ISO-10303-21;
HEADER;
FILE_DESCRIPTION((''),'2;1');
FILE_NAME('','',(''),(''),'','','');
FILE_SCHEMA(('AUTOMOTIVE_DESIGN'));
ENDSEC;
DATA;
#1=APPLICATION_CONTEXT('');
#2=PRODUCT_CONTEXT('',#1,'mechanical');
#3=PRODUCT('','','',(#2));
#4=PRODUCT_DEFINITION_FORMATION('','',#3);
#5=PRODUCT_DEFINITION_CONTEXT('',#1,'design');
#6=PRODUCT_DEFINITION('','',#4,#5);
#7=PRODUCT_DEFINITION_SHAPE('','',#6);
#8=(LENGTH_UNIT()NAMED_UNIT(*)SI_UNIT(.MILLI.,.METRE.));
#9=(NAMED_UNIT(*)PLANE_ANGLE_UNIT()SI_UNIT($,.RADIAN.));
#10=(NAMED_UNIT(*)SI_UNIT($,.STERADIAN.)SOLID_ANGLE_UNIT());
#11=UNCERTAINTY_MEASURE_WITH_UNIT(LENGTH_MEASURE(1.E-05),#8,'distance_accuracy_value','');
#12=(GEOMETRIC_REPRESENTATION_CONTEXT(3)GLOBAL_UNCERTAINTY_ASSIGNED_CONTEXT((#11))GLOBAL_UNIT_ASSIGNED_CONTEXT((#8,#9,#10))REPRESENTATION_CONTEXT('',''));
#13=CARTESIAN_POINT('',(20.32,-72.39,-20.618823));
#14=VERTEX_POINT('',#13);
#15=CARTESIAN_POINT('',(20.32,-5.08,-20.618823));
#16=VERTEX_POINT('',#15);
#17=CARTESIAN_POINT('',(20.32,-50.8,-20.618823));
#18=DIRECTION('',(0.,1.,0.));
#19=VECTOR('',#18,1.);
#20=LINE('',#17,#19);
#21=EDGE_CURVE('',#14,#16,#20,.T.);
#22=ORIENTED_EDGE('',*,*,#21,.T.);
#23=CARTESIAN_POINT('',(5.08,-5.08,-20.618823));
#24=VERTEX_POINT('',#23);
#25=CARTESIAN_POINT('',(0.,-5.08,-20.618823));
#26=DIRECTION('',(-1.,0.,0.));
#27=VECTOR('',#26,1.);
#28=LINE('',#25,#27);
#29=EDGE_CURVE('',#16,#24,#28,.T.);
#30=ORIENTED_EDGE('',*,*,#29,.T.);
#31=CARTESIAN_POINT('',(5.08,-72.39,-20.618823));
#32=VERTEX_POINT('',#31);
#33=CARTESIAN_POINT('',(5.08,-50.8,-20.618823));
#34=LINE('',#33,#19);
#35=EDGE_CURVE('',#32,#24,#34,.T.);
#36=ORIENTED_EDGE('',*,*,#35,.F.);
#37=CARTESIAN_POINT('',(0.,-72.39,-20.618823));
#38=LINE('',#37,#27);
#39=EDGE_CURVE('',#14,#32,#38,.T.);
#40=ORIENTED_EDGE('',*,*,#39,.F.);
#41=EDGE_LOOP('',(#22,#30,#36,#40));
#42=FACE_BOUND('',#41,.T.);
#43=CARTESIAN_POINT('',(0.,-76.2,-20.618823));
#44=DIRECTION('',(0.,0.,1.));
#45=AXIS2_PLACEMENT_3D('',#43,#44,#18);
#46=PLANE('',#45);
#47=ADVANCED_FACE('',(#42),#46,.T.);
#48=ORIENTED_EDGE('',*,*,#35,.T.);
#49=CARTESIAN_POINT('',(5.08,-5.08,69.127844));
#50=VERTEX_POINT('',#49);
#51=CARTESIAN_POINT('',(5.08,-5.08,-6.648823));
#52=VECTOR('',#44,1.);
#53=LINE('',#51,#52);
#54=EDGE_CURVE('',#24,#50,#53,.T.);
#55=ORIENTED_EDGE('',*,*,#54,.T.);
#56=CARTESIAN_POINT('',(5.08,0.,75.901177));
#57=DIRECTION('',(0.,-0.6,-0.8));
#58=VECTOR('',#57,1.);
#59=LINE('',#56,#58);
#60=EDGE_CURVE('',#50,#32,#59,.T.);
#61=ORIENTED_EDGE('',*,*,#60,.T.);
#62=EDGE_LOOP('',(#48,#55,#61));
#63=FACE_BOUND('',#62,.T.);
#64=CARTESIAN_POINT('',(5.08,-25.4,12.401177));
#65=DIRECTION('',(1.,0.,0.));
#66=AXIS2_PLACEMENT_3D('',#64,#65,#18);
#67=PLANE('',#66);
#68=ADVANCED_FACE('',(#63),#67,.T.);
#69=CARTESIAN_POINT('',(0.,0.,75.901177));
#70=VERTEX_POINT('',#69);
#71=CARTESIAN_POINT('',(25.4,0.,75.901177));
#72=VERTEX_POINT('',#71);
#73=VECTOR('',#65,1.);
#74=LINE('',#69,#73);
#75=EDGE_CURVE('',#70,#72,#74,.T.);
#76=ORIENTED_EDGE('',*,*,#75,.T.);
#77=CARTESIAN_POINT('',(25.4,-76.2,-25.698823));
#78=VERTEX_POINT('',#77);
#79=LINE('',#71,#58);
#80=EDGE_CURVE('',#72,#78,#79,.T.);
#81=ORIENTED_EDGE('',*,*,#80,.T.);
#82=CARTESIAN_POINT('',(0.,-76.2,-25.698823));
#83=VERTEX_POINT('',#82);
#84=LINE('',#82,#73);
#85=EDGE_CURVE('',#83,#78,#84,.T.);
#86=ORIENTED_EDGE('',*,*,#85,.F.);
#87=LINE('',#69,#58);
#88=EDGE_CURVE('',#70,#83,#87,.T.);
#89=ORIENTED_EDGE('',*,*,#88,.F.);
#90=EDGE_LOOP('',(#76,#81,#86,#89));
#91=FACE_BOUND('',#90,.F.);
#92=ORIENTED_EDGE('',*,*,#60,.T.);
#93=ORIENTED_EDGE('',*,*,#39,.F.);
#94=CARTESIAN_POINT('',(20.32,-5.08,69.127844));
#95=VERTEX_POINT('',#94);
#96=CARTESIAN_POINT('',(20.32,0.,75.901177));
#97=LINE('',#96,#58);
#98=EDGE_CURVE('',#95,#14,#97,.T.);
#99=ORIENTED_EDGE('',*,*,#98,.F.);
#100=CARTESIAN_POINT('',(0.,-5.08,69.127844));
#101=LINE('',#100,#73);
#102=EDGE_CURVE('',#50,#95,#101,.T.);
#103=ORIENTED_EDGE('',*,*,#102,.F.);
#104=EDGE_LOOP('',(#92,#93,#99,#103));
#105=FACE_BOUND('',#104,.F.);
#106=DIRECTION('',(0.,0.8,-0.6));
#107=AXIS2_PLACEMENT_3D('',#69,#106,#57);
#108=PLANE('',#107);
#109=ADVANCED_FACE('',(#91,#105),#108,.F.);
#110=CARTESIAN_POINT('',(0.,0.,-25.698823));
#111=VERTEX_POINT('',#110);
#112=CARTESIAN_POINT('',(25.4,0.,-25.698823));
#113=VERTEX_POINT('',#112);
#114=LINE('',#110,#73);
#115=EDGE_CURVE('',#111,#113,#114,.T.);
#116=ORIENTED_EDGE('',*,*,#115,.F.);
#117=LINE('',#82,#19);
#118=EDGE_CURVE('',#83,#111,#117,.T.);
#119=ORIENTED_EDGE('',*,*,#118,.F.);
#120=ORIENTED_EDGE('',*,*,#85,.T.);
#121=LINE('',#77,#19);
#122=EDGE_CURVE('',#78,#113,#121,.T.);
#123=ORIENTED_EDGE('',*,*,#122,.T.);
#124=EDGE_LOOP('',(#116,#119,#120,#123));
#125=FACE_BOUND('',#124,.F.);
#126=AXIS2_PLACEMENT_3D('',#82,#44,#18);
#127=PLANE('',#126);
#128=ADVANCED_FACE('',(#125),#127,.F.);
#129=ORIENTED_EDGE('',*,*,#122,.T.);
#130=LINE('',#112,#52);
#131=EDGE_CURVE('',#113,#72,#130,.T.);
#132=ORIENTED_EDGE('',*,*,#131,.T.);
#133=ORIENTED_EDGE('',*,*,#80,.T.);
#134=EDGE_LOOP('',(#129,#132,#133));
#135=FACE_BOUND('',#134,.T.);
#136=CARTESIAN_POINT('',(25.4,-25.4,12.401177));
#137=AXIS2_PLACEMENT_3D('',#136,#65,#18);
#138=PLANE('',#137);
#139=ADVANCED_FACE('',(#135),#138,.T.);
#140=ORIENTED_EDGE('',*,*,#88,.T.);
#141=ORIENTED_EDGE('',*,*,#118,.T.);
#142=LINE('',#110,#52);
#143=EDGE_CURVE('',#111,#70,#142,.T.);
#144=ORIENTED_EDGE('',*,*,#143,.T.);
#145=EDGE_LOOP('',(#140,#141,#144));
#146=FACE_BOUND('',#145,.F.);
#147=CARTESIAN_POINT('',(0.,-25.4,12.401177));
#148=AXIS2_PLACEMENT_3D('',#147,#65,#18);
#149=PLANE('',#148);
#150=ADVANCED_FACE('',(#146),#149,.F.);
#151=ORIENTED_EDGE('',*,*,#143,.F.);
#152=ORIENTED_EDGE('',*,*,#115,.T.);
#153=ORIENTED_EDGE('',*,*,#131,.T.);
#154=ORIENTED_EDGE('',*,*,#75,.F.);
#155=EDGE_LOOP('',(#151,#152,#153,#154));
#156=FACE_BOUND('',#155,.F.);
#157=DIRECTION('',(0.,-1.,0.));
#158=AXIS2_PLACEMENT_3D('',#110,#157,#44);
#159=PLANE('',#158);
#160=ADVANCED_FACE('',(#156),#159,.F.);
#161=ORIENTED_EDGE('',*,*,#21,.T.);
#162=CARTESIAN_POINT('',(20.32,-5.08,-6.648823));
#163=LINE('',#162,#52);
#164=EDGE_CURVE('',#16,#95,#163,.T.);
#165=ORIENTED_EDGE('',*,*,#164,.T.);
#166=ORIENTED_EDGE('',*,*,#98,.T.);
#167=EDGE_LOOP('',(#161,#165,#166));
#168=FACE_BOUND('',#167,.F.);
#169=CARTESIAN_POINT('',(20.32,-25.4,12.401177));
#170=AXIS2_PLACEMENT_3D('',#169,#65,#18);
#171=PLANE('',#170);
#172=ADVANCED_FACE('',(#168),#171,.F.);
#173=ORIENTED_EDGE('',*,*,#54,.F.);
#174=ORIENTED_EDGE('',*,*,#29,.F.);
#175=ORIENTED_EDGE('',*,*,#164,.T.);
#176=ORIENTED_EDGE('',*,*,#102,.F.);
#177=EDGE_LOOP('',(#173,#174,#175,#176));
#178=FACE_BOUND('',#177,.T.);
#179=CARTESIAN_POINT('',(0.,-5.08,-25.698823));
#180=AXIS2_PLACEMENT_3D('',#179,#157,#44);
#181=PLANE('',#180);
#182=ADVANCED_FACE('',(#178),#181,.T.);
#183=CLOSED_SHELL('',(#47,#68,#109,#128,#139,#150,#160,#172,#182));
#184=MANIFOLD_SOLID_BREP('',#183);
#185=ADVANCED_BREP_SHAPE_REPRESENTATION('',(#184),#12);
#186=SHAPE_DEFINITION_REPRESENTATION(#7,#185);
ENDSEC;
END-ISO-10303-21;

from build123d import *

# Parameters (mm, degrees)
F1_DEPTH = 25.4
F2_T     = -5.08


with BuildPart() as f1:
    # F0 (on Right) → F1 (new body)
    with BuildSketch(Plane.YZ):
        Polygon((-76.2, -25.698823), (0, -25.698823), (0, 75.901177), align=None)
    extrude(amount=F1_DEPTH)

    # F2
    f2_openings = [f1.faces().sort_by_distance(p)[0] for p in [
        (12.7, -38.1, 25.101177),
    ]]
    offset(amount=F2_T, openings=f2_openings)


solid = f1.part
